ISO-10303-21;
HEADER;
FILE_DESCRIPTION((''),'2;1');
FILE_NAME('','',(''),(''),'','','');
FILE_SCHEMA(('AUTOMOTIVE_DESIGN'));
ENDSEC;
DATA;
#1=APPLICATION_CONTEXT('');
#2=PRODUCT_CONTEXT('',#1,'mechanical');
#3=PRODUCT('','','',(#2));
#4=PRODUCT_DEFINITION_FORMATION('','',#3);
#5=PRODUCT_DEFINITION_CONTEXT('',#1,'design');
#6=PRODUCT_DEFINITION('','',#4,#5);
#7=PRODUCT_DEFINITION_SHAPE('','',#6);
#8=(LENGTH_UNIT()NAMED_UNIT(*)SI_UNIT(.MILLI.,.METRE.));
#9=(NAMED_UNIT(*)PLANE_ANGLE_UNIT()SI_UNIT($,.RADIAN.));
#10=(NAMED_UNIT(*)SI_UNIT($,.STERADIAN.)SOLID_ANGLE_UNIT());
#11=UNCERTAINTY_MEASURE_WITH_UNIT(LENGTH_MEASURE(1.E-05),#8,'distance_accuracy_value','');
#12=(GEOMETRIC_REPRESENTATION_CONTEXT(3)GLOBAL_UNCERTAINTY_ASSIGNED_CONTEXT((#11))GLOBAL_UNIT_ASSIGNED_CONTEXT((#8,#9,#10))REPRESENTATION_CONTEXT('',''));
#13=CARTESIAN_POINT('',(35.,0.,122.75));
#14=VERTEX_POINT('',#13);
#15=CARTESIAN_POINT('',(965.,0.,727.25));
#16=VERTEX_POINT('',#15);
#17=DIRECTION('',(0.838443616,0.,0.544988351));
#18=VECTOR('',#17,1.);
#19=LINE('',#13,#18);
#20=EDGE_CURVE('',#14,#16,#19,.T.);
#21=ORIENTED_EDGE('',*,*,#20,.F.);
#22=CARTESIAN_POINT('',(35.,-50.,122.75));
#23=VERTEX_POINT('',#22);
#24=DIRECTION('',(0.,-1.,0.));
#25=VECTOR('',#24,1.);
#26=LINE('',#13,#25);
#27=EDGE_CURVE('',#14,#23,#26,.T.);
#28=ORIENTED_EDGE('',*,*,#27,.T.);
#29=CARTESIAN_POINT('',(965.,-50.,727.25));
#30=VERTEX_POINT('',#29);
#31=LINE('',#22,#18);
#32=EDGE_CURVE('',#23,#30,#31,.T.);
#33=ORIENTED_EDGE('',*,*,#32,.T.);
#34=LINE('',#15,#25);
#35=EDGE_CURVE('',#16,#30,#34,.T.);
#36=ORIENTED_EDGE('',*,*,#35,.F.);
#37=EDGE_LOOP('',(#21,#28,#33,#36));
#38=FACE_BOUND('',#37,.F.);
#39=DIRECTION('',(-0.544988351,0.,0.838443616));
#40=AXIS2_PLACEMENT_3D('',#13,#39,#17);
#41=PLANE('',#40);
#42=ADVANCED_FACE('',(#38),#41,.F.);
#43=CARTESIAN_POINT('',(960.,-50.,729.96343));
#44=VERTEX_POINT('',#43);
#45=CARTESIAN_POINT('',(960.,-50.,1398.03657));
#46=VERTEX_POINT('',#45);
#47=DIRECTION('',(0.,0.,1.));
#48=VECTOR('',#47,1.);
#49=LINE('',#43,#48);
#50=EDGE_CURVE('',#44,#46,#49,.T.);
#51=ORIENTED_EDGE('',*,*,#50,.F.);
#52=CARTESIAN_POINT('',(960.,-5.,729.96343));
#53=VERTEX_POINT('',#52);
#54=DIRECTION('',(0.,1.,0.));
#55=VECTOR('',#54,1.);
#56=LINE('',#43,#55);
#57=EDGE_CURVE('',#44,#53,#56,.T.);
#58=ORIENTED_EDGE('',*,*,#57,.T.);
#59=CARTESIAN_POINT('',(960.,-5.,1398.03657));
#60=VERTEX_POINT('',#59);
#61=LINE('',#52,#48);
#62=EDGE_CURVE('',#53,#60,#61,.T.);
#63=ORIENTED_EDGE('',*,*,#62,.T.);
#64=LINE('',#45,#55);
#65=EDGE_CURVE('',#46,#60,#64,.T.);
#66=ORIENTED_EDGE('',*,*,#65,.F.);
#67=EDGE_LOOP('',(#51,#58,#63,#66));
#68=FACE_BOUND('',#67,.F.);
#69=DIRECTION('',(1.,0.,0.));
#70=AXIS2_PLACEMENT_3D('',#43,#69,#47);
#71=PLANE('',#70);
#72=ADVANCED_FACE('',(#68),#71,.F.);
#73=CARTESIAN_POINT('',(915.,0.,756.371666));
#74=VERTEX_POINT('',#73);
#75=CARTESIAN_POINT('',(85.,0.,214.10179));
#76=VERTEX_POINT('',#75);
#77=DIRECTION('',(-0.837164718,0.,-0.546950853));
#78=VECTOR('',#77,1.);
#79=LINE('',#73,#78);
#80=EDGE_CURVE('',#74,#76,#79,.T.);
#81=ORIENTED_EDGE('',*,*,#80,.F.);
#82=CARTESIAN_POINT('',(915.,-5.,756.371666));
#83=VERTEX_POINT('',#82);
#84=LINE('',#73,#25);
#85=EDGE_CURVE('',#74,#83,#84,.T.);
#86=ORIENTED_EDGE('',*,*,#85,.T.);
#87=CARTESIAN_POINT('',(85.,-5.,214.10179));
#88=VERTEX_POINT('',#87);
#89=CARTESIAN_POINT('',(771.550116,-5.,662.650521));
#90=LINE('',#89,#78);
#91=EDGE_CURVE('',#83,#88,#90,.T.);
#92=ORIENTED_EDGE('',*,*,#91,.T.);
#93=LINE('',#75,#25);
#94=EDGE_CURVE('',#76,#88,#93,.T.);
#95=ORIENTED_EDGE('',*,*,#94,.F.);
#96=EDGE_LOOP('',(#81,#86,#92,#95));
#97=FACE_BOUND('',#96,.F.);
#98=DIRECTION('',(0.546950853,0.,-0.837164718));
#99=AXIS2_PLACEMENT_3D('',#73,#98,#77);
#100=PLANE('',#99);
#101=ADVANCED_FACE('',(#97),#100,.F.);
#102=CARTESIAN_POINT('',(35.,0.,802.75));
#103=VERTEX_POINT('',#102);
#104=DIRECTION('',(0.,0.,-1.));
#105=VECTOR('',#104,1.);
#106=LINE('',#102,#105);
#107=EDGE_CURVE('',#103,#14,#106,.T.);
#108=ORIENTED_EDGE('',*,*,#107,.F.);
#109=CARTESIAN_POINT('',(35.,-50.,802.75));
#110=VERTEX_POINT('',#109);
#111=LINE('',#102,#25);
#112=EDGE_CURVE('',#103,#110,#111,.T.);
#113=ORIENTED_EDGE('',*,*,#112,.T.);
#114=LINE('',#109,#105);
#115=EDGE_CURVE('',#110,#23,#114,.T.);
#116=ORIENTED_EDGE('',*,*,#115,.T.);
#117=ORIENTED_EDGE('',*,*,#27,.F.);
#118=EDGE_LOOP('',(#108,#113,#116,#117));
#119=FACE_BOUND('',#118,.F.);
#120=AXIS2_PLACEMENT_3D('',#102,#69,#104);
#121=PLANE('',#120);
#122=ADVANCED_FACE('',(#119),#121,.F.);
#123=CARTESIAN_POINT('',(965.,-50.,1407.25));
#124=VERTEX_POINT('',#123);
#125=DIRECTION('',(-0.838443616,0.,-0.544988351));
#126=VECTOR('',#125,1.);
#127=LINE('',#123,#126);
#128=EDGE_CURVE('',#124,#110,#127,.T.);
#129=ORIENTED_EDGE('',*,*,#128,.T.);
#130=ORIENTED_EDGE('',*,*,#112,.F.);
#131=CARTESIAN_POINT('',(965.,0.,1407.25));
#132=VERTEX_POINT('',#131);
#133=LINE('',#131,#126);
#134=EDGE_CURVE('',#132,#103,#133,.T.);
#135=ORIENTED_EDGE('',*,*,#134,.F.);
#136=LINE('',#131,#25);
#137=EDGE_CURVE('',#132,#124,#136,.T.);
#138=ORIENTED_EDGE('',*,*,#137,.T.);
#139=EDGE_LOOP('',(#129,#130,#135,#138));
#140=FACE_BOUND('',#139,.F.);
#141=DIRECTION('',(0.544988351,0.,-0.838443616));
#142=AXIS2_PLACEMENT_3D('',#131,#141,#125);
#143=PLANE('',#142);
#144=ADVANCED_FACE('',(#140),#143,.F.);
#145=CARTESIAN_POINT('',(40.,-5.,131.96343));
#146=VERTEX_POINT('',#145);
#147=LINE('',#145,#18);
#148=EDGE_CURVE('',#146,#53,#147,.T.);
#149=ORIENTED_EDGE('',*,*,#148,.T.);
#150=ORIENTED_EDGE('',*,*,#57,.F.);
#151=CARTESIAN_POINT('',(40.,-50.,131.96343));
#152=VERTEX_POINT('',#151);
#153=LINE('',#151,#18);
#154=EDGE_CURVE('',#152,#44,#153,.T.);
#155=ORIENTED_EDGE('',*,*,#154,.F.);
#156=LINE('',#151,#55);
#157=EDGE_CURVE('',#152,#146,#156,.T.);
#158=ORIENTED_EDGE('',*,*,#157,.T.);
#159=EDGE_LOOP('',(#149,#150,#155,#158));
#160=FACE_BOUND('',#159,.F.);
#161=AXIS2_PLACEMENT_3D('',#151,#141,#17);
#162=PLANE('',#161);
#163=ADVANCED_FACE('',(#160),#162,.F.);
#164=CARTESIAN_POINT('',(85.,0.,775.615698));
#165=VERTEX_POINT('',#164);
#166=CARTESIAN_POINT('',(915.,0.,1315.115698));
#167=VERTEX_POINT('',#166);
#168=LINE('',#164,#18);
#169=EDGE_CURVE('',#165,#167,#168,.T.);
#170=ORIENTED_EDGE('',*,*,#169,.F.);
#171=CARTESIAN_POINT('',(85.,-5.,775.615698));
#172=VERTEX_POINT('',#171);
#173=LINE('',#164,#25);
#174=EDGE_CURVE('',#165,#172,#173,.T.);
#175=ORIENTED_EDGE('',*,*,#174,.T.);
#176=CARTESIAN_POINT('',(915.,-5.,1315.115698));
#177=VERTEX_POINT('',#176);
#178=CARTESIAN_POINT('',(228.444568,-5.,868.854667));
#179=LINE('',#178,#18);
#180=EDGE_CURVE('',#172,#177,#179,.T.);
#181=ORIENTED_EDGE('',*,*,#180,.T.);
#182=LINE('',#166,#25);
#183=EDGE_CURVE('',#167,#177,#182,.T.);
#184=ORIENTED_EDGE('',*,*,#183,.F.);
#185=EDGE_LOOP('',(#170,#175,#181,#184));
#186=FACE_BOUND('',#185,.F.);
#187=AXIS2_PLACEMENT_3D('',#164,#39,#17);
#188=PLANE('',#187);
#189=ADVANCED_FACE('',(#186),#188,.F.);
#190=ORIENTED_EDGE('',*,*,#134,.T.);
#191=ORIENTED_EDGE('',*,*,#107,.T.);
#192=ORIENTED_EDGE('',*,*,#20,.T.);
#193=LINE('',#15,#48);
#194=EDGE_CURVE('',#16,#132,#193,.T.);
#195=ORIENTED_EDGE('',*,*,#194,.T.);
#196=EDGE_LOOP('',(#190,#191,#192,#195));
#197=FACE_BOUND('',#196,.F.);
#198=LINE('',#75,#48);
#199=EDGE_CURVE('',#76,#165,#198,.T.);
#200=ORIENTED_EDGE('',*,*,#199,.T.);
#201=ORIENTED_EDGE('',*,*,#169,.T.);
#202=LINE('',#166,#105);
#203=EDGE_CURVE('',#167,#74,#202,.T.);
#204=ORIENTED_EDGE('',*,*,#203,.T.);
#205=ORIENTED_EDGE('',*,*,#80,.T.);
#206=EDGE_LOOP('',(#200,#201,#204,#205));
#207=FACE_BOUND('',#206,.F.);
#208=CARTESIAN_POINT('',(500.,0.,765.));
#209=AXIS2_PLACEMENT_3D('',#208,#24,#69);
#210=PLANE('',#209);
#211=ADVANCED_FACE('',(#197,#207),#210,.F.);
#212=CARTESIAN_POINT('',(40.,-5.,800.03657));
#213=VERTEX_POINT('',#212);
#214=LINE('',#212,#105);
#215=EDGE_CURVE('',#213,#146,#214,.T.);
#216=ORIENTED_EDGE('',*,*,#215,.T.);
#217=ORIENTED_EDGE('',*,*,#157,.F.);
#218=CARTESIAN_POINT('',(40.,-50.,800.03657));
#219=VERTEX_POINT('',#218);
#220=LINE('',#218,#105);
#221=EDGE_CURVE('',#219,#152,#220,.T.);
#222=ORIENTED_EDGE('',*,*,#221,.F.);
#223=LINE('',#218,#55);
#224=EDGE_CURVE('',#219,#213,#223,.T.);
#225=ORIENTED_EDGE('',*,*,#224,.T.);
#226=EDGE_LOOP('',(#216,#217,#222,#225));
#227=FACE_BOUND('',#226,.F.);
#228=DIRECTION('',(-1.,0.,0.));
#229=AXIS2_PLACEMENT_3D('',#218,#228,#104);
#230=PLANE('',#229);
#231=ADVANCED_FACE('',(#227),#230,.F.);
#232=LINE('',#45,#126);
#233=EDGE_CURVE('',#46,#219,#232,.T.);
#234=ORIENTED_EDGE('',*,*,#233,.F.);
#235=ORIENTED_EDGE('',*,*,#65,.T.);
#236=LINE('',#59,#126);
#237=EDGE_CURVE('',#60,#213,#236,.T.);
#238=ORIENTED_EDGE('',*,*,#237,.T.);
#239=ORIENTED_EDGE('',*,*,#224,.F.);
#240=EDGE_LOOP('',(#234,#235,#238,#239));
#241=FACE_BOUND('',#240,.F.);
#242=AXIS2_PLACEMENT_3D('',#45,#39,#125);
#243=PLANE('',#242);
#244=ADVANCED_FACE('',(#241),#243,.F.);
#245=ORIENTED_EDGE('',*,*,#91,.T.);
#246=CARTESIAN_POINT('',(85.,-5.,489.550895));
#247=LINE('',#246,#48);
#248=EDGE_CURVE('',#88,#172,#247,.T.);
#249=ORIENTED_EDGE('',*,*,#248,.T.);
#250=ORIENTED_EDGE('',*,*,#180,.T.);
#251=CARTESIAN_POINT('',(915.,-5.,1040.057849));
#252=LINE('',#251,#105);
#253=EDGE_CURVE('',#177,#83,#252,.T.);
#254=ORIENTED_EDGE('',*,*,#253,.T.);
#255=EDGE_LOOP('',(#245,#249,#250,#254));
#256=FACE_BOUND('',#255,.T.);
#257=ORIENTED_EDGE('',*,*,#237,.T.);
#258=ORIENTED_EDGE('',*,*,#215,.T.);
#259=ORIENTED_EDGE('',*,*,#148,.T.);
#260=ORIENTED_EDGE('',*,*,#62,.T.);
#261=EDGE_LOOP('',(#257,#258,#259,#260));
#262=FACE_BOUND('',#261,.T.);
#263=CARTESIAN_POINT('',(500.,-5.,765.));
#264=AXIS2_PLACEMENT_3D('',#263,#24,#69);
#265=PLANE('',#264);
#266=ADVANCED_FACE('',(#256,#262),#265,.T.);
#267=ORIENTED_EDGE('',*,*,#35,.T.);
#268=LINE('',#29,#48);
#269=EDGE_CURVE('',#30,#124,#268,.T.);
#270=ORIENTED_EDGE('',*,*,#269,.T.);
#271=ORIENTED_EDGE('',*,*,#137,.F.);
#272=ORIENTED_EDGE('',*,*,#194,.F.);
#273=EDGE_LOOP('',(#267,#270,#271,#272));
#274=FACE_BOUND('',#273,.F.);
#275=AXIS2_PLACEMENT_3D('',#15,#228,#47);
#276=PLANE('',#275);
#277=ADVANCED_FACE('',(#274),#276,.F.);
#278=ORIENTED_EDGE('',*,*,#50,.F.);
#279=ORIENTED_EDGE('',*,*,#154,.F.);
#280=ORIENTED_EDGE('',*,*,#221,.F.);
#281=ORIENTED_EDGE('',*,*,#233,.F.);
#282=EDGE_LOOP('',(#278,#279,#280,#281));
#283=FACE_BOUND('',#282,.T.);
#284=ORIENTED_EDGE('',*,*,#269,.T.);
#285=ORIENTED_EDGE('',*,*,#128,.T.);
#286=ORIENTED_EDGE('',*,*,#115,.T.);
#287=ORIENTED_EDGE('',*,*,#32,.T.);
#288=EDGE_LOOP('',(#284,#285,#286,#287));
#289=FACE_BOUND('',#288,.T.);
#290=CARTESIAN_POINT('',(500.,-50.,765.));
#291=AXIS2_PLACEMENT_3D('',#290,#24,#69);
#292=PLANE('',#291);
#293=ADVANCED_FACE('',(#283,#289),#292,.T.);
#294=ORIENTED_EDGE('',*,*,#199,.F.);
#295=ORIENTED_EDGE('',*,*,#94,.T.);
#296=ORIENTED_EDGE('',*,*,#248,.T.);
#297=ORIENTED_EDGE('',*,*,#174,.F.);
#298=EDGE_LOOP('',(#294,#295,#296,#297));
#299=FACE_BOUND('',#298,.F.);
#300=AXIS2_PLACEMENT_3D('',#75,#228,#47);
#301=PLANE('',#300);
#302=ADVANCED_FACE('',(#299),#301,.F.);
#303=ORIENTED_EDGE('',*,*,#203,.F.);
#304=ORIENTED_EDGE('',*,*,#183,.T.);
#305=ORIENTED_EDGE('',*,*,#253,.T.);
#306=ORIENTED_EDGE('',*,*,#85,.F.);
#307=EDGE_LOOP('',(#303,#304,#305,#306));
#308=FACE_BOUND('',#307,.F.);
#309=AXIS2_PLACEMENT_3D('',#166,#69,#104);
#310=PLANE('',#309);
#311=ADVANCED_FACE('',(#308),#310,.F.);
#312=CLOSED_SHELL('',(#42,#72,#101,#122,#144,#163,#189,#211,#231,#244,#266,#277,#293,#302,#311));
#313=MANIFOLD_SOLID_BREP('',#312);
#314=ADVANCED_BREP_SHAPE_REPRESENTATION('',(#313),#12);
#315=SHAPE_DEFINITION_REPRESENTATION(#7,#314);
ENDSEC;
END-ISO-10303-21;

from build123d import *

# Parameters (mm, degrees)
F1_DEPTH = 50
F3_DEPTH = 45


with BuildPart() as f1:
    # F0 (on Front) → F1 (new body)
    with BuildSketch(Plane.XZ):
        Polygon((35, 802.75), (35, 122.75), (965, 727.25), (965, 1407.25), align=None)
        Polygon((915, 756.371666), (85, 214.10179), (85, 775.615698), (915, 1315.115698), align=None, mode=Mode.SUBTRACT)
    extrude(amount=F1_DEPTH)

    # F2 (on face) → F3 (cut)
    with BuildSketch(Plane.XZ.offset(50)):
        Polygon((40, 800.03657), (40, 131.96343), (960, 729.96343), (960, 1398.03657), align=None)
    extrude(amount=-F3_DEPTH, mode=Mode.SUBTRACT)


solid = f1.part
